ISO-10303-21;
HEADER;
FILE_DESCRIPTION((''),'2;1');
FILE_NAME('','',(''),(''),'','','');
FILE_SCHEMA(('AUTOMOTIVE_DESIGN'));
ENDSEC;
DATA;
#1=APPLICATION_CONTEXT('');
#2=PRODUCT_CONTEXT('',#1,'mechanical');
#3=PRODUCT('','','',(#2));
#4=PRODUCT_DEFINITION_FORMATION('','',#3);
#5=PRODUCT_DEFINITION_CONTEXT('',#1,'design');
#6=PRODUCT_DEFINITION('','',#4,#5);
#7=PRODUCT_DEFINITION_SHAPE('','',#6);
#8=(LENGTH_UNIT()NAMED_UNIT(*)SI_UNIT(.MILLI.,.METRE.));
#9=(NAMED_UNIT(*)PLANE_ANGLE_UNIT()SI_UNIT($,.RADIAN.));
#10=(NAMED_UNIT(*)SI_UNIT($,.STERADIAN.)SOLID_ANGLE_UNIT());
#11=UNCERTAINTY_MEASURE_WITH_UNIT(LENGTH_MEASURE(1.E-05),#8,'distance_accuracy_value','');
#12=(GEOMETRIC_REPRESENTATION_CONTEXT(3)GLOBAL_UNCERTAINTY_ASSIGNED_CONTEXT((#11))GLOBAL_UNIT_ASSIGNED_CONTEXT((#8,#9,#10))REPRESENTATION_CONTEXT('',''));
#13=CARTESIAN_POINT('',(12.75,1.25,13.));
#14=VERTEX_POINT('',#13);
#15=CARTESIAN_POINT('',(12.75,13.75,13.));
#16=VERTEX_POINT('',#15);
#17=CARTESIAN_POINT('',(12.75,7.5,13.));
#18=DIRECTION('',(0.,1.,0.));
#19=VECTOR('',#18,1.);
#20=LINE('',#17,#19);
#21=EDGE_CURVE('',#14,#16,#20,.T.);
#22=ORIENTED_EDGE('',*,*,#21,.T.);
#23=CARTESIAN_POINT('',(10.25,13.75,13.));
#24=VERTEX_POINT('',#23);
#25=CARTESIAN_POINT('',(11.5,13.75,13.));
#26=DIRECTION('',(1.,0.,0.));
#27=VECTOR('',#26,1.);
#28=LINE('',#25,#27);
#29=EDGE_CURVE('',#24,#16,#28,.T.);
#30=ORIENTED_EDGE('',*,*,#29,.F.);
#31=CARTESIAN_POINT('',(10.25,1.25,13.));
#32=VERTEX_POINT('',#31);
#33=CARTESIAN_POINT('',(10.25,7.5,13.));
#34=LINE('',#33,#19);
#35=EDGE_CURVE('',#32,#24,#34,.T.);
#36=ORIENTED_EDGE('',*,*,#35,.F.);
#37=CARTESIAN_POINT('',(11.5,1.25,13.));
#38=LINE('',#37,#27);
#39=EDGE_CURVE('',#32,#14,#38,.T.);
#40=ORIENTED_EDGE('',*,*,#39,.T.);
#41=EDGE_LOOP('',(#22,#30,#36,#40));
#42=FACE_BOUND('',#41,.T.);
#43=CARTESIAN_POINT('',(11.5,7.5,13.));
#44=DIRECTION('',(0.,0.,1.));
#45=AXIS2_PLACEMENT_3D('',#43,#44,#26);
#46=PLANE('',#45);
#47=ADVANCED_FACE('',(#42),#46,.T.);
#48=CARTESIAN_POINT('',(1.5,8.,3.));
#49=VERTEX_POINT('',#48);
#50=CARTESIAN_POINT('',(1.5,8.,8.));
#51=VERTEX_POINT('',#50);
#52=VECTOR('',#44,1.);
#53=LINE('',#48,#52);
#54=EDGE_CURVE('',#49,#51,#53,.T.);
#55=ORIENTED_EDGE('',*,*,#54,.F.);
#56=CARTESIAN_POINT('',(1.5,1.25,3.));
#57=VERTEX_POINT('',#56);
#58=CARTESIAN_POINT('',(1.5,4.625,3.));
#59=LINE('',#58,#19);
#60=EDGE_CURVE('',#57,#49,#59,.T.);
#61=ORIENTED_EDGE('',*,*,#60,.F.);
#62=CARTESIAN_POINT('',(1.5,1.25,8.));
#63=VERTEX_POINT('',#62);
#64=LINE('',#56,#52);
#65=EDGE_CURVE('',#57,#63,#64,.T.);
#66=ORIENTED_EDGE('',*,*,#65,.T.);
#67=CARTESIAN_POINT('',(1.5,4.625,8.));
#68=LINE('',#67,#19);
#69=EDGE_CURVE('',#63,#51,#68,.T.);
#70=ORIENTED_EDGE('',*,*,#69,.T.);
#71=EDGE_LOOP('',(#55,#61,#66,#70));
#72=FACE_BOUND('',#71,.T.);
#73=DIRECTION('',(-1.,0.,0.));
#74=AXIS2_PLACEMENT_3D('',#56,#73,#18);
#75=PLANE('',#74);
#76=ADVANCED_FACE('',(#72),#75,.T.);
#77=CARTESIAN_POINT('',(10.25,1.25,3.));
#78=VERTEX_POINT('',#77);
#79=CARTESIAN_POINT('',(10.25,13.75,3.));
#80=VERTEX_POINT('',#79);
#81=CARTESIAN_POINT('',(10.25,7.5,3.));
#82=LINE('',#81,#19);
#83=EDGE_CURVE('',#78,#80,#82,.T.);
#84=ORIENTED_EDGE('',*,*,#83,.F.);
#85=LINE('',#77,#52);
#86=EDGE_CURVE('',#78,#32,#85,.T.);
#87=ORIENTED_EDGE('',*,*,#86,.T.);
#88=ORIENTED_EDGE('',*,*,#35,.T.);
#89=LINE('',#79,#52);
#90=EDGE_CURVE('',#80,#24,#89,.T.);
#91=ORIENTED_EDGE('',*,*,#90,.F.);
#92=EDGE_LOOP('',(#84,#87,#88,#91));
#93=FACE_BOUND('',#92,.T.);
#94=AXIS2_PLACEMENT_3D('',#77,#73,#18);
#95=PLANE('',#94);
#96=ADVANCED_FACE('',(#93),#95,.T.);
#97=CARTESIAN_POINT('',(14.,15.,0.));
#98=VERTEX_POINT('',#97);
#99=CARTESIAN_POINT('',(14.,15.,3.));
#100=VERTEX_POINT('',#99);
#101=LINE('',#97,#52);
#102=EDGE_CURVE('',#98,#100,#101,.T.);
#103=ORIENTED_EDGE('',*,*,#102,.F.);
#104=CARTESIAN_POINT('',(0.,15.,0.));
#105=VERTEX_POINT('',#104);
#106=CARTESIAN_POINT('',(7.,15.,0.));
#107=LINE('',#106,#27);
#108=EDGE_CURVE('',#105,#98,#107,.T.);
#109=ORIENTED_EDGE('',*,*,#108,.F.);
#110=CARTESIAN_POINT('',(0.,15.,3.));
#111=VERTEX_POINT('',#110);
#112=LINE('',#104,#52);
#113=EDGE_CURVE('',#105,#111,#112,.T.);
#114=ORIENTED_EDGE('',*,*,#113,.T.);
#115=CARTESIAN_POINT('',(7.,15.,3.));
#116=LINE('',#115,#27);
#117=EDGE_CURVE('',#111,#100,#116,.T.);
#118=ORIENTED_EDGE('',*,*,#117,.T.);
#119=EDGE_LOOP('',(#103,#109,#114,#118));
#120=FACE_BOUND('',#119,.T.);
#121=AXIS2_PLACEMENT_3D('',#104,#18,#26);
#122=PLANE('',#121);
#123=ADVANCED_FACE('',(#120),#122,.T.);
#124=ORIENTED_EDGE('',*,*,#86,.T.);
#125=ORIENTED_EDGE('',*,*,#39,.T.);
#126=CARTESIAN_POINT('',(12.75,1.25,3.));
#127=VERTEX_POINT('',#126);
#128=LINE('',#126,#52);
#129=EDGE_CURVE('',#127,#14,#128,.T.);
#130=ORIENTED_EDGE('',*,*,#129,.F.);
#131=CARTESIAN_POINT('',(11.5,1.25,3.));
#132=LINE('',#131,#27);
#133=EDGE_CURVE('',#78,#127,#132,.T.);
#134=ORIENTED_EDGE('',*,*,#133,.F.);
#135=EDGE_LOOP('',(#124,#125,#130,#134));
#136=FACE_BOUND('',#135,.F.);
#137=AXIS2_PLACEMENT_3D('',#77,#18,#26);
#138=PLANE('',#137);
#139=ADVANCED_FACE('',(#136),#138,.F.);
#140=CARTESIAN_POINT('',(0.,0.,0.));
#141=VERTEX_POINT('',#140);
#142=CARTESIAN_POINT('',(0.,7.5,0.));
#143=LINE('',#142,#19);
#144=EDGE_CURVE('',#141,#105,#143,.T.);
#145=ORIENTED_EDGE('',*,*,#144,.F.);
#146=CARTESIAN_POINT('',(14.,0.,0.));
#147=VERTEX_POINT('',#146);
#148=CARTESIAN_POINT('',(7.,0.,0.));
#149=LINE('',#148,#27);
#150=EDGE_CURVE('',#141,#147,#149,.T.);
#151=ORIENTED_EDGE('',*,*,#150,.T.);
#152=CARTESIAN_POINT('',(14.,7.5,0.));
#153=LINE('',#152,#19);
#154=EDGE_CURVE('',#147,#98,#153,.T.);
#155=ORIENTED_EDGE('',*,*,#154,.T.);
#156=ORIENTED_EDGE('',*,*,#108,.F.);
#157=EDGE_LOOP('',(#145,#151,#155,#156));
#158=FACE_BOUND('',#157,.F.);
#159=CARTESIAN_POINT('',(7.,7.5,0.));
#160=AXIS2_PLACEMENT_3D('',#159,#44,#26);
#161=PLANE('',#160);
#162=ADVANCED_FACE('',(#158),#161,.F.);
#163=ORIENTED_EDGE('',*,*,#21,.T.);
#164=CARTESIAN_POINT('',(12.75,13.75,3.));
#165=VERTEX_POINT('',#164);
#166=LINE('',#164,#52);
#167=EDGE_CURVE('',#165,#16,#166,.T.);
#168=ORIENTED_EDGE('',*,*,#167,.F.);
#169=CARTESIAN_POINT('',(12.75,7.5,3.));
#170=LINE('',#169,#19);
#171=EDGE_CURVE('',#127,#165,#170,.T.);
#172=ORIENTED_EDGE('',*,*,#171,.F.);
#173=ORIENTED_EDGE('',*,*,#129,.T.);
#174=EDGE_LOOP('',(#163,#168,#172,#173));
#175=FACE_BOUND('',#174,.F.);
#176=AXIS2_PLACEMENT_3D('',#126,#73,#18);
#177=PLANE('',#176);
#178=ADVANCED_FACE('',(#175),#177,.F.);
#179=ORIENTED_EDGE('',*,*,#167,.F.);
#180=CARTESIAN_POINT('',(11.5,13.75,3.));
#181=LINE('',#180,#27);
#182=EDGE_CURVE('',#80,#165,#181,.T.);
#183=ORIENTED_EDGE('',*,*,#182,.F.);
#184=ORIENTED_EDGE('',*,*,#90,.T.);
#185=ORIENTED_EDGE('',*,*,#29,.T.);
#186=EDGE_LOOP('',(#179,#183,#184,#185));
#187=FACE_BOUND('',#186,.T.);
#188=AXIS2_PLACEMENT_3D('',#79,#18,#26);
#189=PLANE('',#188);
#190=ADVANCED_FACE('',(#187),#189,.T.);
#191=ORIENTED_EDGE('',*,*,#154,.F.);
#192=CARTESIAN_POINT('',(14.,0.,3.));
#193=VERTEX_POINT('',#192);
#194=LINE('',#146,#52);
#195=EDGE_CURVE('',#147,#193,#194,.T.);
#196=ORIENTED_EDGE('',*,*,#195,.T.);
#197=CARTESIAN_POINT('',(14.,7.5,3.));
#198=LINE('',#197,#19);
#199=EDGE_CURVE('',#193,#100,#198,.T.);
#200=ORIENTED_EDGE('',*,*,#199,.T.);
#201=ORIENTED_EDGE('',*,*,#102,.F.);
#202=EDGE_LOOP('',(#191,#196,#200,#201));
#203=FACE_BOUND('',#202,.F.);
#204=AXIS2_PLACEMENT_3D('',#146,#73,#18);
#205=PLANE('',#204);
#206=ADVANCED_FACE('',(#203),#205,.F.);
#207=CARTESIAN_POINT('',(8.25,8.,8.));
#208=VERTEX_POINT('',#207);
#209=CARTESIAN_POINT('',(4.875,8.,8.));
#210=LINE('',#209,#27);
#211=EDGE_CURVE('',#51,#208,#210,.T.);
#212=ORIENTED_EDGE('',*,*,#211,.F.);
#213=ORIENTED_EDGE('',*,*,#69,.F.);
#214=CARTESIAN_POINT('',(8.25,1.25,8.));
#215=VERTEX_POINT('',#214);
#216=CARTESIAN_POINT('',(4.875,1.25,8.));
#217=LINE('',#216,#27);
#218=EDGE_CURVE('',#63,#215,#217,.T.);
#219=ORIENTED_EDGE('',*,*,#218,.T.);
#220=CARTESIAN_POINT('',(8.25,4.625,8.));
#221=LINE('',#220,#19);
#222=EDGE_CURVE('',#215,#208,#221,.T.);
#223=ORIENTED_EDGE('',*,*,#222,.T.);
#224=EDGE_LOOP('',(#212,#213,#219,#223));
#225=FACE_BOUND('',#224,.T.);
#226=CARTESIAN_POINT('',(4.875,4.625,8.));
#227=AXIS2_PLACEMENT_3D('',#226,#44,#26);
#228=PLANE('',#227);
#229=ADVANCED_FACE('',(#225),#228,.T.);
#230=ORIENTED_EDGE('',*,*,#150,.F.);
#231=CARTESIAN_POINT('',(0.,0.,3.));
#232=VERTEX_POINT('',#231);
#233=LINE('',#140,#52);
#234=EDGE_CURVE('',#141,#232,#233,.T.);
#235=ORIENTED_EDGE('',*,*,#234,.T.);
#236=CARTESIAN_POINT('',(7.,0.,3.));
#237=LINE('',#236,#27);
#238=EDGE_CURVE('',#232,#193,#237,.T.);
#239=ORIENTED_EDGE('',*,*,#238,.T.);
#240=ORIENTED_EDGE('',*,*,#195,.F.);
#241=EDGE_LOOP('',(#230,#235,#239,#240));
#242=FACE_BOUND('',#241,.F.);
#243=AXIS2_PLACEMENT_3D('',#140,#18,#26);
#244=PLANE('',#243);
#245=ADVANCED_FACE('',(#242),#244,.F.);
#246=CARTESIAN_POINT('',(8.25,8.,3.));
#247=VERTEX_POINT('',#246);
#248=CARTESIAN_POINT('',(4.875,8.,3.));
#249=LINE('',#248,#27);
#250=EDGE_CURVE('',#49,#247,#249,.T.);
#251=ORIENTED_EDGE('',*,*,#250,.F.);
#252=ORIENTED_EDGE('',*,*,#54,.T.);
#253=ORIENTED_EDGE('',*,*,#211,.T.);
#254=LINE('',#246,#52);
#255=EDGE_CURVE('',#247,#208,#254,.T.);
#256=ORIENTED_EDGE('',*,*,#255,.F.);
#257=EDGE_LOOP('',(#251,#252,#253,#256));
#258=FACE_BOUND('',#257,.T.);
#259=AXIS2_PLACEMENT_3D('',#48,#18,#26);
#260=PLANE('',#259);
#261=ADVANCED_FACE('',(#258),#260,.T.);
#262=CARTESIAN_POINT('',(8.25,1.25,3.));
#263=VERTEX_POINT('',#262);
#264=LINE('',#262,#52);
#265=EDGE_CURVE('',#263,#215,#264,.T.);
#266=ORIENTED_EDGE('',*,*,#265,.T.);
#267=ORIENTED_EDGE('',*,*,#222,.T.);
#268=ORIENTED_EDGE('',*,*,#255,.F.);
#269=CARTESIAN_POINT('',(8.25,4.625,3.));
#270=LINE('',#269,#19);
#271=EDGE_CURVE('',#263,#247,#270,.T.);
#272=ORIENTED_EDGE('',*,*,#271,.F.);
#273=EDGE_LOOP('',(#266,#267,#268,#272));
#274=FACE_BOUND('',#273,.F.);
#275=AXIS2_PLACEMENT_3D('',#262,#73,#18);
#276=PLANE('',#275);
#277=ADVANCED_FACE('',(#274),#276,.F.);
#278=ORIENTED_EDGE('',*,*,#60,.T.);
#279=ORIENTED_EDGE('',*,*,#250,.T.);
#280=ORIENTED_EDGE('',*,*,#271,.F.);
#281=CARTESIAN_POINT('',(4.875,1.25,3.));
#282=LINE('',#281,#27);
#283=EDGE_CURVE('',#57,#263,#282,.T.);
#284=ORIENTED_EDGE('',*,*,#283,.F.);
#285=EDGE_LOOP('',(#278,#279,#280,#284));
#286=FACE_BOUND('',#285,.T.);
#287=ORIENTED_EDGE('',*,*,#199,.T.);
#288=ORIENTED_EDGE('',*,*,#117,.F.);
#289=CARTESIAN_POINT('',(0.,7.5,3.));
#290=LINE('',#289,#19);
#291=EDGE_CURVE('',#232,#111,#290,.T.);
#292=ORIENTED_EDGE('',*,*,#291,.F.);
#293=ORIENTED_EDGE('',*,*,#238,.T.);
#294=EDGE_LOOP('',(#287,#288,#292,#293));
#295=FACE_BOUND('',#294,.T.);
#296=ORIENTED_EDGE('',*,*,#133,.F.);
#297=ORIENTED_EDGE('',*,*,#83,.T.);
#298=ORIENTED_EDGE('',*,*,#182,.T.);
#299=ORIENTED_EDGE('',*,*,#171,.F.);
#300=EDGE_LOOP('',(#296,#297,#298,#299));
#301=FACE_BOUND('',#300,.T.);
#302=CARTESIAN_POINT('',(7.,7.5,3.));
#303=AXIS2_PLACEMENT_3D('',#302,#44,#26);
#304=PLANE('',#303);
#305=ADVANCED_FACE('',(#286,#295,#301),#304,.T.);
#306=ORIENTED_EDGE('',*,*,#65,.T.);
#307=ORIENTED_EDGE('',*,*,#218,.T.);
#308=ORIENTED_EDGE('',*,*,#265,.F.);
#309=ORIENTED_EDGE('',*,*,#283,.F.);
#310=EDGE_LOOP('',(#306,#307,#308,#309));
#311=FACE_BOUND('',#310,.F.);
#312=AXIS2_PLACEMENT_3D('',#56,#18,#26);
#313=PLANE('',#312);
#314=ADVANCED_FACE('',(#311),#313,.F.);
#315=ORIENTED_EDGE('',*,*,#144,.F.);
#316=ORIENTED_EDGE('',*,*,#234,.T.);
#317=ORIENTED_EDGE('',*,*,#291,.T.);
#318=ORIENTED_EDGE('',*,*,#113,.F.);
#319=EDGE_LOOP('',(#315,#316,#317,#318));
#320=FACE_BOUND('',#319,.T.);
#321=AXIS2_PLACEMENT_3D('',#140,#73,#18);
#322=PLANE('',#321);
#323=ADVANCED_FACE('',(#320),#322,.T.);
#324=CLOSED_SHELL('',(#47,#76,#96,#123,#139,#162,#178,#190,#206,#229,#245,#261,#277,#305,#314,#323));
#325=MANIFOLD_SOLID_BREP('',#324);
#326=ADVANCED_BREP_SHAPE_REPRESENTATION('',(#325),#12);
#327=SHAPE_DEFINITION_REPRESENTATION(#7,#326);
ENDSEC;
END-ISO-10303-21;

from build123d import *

# Parameters (mm, degrees)
SKETCH_W     = 14
SKETCH_H     = 15
PAD_DEPTH    = 3
SKETCH001_W  = 2.5
SKETCH001_H  = 12.5
PAD001_DEPTH = 10
SKETCH002_W  = 6.75
SKETCH002_H  = 6.75
PAD002_DEPTH = 5


with BuildPart() as part:
    # Sketch → Pad (new body)
    with BuildSketch(Plane.XY):
        with Locations((7, 7.5)):
            Rectangle(SKETCH_W, SKETCH_H)
    extrude(amount=PAD_DEPTH)

    # Sketch001 (on Face6 of Pad) → Pad001 (join)
    with BuildSketch(Plane.XY.offset(3)):
        with Locations((11.5, 7.5)):
            Rectangle(SKETCH001_W, SKETCH001_H)
    extrude(amount=PAD001_DEPTH)

    # Sketch002 (on Face5 of Pad001) → Pad002 (join)
    with BuildSketch(Plane.XY.offset(3)):
        with Locations((4.875, 4.625)):
            Rectangle(SKETCH002_W, SKETCH002_H)
    extrude(amount=PAD002_DEPTH)


solid = part.part
